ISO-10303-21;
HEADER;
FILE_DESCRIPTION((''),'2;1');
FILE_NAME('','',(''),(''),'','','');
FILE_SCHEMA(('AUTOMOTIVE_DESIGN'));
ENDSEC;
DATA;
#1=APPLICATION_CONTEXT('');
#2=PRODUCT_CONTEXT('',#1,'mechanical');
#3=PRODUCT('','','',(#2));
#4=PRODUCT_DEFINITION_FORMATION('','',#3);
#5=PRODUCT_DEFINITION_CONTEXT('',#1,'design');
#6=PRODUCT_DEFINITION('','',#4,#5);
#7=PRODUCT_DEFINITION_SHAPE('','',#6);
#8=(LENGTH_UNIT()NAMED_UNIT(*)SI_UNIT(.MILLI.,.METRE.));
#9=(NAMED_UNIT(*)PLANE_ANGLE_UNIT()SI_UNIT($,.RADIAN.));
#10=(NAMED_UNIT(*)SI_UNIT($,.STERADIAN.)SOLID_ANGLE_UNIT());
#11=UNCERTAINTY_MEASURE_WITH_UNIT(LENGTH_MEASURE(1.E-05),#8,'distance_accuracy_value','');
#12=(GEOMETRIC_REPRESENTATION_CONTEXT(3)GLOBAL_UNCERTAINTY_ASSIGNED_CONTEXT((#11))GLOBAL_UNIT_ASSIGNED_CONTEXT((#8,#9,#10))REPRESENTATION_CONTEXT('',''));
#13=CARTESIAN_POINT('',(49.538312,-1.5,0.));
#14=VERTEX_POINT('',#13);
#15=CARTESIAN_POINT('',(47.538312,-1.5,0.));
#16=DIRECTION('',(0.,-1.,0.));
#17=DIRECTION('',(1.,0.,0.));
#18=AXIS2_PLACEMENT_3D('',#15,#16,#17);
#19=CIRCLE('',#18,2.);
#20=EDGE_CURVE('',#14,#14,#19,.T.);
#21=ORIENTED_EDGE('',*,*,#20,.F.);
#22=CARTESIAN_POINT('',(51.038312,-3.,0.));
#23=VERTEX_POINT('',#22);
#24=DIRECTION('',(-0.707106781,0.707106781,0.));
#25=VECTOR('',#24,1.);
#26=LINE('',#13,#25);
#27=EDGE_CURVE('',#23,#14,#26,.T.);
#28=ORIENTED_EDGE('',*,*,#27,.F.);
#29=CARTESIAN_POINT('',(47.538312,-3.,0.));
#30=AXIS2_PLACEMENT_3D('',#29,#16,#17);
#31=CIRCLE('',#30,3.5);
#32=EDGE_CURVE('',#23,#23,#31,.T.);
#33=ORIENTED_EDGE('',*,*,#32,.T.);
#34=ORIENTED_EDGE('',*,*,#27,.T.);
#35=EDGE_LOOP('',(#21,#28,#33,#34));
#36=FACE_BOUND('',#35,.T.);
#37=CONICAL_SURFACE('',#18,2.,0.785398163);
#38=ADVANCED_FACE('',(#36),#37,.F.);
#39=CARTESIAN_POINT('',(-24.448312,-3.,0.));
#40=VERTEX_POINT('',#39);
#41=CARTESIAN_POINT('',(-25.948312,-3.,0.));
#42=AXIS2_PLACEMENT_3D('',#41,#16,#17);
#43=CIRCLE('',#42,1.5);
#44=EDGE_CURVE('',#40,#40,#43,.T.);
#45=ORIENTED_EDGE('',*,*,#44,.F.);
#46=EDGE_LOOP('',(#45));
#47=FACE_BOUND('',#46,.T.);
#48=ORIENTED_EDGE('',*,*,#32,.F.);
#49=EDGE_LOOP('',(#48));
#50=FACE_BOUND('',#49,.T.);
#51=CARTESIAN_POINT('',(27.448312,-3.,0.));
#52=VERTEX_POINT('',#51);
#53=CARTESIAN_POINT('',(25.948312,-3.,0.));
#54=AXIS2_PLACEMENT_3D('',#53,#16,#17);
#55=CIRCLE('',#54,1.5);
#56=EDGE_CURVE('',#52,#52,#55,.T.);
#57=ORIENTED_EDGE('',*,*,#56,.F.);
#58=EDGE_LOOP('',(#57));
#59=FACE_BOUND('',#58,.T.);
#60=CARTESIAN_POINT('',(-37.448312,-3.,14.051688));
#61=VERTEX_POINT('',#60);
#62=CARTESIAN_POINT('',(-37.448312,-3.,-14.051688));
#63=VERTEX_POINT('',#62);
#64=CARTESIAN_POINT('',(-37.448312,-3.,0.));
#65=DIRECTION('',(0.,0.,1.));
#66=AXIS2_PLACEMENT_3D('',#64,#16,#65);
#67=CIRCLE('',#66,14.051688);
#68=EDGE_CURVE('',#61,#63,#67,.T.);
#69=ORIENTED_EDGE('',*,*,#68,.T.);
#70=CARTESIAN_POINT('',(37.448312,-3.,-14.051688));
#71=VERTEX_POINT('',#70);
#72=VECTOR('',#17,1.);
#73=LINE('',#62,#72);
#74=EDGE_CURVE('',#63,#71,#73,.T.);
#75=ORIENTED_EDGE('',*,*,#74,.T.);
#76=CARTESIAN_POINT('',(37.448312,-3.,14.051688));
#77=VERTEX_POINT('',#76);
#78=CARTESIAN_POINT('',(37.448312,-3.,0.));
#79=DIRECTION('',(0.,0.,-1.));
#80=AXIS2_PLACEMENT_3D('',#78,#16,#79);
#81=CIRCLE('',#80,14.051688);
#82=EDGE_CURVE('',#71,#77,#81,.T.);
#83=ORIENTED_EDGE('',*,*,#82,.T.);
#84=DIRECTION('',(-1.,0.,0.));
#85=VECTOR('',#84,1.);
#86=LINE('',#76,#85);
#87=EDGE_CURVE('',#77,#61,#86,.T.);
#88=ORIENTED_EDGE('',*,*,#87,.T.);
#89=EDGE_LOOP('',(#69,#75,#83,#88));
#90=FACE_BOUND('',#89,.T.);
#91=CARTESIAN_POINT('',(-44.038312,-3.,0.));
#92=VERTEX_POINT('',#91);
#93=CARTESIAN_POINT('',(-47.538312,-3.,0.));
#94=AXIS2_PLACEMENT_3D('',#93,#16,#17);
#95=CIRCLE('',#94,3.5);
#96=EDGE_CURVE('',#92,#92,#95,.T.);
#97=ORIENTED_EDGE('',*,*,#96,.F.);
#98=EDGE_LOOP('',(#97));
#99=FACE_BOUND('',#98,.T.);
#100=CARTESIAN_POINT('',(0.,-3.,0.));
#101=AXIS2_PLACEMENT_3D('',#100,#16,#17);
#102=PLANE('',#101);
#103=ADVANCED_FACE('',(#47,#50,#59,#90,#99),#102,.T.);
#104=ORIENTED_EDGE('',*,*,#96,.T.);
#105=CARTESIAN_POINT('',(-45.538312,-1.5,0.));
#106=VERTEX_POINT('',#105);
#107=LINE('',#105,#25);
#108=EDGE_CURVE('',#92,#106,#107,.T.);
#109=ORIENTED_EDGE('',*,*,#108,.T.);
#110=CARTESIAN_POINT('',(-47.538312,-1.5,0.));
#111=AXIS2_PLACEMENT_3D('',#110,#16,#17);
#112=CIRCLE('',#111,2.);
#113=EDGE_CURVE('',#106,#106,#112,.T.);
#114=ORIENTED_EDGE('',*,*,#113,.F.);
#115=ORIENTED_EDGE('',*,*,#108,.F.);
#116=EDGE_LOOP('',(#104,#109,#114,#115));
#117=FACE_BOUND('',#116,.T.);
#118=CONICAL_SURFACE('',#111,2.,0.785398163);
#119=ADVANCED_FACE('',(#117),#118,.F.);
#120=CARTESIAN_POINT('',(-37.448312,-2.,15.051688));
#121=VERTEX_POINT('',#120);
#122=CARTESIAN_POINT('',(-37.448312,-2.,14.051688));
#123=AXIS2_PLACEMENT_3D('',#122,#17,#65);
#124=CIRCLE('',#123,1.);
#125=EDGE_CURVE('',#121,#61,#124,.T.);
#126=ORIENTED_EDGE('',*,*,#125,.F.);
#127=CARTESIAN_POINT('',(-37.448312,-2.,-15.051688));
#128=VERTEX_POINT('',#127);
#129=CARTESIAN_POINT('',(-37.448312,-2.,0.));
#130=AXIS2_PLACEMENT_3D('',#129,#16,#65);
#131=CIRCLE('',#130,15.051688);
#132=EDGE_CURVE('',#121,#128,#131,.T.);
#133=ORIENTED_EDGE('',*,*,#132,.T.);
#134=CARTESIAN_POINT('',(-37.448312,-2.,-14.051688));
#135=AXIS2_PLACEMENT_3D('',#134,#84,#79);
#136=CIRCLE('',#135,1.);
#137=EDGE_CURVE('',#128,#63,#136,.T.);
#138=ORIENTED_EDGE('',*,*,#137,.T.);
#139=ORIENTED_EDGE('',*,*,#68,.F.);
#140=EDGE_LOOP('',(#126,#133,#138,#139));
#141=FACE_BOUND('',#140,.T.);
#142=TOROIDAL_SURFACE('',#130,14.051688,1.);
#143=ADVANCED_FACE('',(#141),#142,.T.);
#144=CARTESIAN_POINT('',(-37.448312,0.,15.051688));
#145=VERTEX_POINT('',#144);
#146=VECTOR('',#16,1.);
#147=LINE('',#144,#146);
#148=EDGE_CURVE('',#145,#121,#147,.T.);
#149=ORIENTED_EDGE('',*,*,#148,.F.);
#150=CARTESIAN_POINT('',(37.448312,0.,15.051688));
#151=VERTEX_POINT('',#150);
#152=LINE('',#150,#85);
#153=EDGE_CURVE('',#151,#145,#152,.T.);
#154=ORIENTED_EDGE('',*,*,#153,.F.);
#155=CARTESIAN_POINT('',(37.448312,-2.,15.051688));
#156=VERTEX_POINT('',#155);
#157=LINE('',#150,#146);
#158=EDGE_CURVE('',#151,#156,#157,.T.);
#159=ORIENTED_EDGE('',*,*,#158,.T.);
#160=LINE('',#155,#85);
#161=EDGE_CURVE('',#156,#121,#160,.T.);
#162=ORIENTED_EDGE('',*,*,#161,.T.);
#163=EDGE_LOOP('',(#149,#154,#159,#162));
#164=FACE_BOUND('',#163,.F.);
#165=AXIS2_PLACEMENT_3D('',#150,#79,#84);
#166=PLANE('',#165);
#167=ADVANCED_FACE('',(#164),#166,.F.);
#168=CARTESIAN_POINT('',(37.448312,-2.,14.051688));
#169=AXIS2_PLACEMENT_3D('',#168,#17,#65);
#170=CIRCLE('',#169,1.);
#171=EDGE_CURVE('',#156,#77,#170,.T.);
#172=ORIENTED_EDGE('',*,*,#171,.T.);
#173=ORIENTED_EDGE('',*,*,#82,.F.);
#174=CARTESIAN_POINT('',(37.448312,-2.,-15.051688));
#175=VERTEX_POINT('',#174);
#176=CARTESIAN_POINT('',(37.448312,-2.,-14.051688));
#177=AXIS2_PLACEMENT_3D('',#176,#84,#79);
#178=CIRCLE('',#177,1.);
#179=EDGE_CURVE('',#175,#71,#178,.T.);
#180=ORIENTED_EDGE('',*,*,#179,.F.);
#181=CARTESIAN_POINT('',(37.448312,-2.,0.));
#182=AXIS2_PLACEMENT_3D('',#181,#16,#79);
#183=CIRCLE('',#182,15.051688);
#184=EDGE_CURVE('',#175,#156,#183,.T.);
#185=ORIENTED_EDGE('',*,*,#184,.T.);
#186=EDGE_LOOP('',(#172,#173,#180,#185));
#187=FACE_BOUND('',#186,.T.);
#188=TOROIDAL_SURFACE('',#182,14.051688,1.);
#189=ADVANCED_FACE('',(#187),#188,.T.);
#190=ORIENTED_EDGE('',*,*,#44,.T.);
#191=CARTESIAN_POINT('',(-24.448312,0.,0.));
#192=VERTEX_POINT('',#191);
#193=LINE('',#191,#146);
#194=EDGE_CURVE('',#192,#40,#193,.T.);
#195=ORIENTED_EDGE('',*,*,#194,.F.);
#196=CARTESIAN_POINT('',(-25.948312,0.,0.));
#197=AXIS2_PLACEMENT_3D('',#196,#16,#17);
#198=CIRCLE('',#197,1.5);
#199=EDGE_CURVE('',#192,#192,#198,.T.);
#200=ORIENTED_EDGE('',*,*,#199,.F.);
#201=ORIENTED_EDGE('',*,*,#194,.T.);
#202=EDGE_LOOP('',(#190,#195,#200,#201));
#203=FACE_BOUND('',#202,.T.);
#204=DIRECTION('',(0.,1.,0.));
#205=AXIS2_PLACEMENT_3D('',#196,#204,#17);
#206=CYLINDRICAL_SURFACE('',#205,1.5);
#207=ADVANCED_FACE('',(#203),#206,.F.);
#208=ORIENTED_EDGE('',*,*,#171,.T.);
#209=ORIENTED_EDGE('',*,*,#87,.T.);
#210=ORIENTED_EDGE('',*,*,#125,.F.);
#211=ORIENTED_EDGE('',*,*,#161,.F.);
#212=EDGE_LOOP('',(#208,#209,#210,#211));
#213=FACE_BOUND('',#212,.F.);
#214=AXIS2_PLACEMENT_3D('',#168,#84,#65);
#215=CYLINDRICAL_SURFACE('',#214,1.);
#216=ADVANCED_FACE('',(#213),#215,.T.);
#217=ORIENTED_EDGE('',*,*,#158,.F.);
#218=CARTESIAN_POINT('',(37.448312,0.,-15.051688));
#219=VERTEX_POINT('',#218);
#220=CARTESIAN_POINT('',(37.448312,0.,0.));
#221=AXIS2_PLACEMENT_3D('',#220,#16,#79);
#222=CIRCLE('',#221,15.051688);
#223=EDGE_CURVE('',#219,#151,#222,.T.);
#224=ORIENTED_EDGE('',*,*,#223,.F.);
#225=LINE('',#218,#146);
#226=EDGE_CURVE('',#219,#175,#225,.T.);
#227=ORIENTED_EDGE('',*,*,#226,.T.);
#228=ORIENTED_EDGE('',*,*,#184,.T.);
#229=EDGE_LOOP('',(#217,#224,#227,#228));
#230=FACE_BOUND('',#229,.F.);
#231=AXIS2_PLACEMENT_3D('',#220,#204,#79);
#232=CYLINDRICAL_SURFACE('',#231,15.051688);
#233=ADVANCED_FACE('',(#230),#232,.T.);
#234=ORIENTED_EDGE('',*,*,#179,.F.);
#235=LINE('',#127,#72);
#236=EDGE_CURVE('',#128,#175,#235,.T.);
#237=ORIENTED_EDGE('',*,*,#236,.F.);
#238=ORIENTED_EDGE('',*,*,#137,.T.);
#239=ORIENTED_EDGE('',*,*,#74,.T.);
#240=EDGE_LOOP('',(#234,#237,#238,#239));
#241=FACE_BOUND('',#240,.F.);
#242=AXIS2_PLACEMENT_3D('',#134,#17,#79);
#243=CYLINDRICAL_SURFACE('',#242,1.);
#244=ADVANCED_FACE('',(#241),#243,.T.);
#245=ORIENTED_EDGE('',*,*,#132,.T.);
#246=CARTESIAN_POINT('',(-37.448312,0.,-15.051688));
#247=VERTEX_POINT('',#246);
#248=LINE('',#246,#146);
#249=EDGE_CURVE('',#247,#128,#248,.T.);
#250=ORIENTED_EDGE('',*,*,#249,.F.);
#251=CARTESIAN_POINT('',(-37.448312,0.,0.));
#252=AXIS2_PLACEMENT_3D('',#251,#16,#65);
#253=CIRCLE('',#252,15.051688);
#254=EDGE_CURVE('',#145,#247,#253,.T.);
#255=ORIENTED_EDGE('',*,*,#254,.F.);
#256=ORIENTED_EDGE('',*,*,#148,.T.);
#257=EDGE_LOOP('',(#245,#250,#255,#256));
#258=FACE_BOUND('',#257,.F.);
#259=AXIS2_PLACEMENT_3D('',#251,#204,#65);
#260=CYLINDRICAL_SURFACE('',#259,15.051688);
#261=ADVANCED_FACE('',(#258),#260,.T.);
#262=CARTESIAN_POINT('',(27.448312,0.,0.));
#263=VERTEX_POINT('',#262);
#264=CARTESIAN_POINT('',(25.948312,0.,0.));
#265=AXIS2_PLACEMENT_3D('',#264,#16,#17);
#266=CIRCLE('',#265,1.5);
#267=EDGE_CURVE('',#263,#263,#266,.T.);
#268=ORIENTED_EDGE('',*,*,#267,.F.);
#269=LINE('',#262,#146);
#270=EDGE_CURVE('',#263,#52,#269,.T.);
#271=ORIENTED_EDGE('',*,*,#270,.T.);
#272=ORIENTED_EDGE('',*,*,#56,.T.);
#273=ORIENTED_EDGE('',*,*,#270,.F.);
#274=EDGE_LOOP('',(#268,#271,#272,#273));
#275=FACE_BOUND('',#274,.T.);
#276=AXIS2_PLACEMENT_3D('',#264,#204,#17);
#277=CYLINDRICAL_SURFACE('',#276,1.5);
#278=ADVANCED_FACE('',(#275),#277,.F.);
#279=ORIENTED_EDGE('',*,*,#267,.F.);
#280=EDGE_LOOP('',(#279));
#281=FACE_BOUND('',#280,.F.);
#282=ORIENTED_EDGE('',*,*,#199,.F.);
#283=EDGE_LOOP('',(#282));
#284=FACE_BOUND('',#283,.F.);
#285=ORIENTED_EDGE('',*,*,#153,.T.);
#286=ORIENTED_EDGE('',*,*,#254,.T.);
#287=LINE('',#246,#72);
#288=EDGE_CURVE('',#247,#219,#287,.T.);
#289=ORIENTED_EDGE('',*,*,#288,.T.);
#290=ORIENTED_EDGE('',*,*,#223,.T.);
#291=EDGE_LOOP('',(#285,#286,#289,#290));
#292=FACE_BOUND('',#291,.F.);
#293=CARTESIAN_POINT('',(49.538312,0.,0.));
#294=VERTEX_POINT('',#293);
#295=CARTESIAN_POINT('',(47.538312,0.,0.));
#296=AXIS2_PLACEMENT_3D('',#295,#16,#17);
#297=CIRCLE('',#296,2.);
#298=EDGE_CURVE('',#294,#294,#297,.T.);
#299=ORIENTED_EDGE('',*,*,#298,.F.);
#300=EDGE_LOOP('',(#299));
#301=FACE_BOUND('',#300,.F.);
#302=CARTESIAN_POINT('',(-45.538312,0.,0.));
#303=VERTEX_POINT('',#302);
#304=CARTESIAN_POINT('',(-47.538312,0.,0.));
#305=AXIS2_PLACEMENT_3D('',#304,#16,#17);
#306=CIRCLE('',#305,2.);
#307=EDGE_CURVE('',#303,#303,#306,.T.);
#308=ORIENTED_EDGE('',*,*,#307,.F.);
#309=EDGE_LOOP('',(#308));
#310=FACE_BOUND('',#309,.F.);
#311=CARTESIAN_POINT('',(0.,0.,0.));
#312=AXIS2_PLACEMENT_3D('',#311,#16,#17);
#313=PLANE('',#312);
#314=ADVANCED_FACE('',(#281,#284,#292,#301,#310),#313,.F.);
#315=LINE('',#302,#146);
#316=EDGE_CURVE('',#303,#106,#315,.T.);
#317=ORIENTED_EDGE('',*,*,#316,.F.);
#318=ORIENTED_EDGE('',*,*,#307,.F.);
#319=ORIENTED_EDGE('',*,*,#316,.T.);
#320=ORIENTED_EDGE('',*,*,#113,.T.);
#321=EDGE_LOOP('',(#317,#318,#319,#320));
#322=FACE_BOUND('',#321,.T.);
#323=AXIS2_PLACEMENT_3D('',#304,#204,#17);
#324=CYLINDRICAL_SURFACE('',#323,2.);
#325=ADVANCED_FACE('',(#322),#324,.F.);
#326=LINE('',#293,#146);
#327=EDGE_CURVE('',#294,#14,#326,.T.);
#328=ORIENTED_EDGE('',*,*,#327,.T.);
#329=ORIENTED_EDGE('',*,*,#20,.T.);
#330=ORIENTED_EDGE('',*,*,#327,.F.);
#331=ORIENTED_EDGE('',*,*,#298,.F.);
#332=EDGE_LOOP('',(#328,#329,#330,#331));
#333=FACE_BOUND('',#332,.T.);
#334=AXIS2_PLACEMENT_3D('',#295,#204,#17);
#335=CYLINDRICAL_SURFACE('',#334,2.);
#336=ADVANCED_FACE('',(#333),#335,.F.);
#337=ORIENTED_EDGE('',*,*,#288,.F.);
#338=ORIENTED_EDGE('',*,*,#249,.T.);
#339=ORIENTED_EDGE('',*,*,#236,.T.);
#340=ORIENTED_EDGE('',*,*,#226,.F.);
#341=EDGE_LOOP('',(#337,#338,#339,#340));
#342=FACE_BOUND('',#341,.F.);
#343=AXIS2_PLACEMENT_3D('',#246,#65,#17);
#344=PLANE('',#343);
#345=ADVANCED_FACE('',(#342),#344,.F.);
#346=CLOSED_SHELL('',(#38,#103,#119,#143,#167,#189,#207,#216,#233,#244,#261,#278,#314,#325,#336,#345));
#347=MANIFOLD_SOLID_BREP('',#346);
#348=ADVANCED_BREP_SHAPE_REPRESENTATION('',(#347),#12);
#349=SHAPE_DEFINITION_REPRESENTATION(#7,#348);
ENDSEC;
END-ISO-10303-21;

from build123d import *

# Parameters (mm, degrees)
F0_R     = 2
F0_R_2   = 1.5
F1_DEPTH = 3
F2_R     = 1
F3_SIZE  = 1.5
F4_SIZE  = 1.5


with BuildPart() as f1:
    # F0 (on Front) → F1 (new body)
    with BuildSketch(Plane.XZ):
        with BuildLine():
            Line((37.448312, 15.051688), (-37.448312, 15.051688))
            ThreePointArc((-37.448312, 15.051688), (-52.5, 0), (-37.448312, -15.051688))
            Line((-37.448312, -15.051688), (37.448312, -15.051688))
            ThreePointArc((37.448312, -15.051688), (52.5, 0), (37.448312, 15.051688))
        make_face()
        with Locations((-47.538312, 0)):
            Circle(F0_R, mode=Mode.SUBTRACT)
        with Locations((-25.948312, 0)):
            Circle(F0_R_2, mode=Mode.SUBTRACT)
        with Locations((25.948312, 0)):
            Circle(F0_R_2, mode=Mode.SUBTRACT)
        with Locations((47.538312, 0)):
            Circle(F0_R, mode=Mode.SUBTRACT)
    extrude(amount=F1_DEPTH)

    # F2
    f2_edges = [f1.edges().sort_by_distance(p)[0] for p in [
        (0, -3, 15.051688),
        (-52.5, -3, 0),
        (0, -3, -15.051688),
        (52.5, -3, 0),
    ]]
    fillet(f2_edges, radius=F2_R)

    # F3
    f3_edges = [f1.edges().sort_by_distance(p)[0] for p in [
        (-49.538312, -3, 0),
    ]]
    chamfer(f3_edges, length=F3_SIZE)

    # F4
    f4_edges = [f1.edges().sort_by_distance(p)[0] for p in [
        (45.538312, -3, 0),
    ]]
    chamfer(f4_edges, length=F4_SIZE)


solid = f1.part
